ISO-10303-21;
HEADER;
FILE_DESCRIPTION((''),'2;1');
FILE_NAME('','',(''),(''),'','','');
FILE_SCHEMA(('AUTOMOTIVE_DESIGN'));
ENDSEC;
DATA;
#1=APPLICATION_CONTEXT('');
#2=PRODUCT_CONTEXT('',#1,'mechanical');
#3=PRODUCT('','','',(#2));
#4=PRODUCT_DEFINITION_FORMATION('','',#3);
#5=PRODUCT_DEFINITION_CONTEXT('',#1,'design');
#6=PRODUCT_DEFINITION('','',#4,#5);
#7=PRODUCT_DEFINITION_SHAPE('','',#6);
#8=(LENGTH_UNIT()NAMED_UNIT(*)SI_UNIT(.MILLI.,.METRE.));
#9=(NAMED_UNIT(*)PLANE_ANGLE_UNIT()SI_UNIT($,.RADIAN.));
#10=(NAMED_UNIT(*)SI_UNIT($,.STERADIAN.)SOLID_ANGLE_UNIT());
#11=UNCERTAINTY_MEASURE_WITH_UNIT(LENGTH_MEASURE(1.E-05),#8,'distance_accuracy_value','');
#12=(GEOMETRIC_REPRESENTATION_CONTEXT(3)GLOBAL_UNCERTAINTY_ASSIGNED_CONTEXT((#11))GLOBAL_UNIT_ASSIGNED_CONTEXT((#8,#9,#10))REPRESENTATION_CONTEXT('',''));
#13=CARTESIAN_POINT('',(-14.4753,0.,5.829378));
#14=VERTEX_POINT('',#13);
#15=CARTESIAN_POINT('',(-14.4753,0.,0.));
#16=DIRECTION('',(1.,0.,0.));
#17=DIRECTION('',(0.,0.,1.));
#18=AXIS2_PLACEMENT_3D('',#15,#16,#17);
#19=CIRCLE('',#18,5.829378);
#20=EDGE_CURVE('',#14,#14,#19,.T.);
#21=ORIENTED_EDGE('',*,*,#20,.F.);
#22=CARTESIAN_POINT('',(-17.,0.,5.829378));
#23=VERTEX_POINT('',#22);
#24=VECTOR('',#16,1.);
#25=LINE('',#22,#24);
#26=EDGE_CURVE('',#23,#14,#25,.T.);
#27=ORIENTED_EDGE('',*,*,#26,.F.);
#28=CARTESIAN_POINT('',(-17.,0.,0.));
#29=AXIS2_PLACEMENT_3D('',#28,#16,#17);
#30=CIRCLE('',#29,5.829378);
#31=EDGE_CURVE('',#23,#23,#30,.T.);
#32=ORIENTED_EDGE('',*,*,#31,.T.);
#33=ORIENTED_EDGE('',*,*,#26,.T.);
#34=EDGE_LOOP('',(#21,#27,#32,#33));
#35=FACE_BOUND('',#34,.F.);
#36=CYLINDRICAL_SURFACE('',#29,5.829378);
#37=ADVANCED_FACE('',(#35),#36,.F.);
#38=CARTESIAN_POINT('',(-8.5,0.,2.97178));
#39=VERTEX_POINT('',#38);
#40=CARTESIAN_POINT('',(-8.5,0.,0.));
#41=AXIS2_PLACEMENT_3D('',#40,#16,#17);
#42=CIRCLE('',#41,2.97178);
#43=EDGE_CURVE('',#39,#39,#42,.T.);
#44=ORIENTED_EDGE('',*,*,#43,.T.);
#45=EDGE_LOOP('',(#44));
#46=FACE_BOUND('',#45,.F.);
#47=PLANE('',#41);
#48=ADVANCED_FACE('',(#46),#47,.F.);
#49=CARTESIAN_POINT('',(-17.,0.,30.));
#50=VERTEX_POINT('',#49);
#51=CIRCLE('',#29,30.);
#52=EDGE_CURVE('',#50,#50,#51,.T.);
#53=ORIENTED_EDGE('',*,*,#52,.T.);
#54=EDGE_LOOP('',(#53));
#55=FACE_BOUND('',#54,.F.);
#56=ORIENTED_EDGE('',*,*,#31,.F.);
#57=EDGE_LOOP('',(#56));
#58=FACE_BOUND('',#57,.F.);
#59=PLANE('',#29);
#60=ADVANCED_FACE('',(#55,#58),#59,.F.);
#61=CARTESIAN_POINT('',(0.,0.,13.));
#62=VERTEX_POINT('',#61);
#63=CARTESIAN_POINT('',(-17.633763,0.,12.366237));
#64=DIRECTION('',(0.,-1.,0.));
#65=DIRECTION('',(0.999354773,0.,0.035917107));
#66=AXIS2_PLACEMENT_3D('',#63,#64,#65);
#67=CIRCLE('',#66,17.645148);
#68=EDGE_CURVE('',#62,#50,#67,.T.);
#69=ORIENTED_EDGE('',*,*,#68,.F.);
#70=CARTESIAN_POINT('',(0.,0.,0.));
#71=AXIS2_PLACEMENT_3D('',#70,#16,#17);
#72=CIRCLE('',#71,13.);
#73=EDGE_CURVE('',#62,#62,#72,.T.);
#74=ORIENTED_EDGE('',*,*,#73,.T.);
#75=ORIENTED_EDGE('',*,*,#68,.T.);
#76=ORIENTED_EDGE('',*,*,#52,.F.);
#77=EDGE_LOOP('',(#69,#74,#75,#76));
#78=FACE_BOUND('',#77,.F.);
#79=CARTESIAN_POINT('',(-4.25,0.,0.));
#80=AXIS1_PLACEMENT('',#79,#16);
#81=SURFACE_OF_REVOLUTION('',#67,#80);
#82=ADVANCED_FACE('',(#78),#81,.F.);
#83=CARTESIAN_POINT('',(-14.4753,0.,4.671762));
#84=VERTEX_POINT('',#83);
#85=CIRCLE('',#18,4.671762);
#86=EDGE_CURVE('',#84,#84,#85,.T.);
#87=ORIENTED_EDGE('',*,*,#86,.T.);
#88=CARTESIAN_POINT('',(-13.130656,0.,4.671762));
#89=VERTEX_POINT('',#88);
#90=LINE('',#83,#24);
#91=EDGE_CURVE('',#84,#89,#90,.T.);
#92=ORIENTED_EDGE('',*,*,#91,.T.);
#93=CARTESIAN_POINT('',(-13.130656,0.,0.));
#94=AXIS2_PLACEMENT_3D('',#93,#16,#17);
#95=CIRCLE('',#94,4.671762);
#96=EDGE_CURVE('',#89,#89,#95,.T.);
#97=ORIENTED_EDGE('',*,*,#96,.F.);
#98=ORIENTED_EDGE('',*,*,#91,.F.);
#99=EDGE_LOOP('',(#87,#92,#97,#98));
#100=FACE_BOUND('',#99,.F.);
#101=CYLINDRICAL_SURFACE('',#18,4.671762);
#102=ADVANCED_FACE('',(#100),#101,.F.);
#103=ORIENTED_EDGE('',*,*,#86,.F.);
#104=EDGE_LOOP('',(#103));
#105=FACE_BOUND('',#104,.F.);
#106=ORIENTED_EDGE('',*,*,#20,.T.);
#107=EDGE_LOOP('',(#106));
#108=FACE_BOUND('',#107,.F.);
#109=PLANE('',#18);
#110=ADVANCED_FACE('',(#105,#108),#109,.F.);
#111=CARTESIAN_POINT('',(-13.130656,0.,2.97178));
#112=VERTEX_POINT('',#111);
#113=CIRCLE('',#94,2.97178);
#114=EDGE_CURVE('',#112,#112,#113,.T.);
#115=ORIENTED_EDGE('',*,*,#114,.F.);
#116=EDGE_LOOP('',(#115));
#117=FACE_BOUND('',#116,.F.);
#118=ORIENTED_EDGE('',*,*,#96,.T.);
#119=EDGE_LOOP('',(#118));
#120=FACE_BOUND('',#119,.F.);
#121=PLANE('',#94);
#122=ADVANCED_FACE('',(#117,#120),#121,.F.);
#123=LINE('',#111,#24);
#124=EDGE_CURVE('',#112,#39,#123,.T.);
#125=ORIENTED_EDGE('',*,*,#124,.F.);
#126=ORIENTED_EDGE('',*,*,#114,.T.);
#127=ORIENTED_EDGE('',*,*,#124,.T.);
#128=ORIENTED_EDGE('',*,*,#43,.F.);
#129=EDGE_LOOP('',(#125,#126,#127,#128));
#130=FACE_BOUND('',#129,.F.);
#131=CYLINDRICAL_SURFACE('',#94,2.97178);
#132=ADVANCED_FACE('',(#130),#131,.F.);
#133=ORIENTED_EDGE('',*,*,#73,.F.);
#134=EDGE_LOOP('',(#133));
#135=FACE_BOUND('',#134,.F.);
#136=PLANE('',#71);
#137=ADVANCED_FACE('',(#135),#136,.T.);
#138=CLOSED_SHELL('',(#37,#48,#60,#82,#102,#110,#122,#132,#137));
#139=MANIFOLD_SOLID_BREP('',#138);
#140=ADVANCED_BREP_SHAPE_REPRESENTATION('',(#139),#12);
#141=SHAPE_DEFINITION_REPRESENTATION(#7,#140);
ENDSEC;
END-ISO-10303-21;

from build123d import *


with BuildPart() as f1:
    # F0 (on Front) → F1 (revolve)
    with BuildSketch(Plane.XZ):
        with BuildLine():
            Line((0, 0), (0, 13))
            ThreePointArc((0, 13), (-5.156759, 24.843241), (-17, 30))
            Line((-17, 30), (-17, 5.829378))
            Line((-17, 5.829378), (-14.4753, 5.829378))
            Line((-14.4753, 5.829378), (-14.4753, 4.671762))
            Line((-14.4753, 4.671762), (-13.130656, 4.671762))
            Line((-13.130656, 4.671762), (-13.130656, 2.97178))
            Line((-13.130656, 2.97178), (-8.5, 2.97178))
            Line((-8.5, 2.97178), (-8.5, 0))
            Line((-8.5, 0), (0, 0))
        make_face()
    revolve(axis=Axis((-4.25, 0, 0), (1, 0, 0)))


solid = f1.part
